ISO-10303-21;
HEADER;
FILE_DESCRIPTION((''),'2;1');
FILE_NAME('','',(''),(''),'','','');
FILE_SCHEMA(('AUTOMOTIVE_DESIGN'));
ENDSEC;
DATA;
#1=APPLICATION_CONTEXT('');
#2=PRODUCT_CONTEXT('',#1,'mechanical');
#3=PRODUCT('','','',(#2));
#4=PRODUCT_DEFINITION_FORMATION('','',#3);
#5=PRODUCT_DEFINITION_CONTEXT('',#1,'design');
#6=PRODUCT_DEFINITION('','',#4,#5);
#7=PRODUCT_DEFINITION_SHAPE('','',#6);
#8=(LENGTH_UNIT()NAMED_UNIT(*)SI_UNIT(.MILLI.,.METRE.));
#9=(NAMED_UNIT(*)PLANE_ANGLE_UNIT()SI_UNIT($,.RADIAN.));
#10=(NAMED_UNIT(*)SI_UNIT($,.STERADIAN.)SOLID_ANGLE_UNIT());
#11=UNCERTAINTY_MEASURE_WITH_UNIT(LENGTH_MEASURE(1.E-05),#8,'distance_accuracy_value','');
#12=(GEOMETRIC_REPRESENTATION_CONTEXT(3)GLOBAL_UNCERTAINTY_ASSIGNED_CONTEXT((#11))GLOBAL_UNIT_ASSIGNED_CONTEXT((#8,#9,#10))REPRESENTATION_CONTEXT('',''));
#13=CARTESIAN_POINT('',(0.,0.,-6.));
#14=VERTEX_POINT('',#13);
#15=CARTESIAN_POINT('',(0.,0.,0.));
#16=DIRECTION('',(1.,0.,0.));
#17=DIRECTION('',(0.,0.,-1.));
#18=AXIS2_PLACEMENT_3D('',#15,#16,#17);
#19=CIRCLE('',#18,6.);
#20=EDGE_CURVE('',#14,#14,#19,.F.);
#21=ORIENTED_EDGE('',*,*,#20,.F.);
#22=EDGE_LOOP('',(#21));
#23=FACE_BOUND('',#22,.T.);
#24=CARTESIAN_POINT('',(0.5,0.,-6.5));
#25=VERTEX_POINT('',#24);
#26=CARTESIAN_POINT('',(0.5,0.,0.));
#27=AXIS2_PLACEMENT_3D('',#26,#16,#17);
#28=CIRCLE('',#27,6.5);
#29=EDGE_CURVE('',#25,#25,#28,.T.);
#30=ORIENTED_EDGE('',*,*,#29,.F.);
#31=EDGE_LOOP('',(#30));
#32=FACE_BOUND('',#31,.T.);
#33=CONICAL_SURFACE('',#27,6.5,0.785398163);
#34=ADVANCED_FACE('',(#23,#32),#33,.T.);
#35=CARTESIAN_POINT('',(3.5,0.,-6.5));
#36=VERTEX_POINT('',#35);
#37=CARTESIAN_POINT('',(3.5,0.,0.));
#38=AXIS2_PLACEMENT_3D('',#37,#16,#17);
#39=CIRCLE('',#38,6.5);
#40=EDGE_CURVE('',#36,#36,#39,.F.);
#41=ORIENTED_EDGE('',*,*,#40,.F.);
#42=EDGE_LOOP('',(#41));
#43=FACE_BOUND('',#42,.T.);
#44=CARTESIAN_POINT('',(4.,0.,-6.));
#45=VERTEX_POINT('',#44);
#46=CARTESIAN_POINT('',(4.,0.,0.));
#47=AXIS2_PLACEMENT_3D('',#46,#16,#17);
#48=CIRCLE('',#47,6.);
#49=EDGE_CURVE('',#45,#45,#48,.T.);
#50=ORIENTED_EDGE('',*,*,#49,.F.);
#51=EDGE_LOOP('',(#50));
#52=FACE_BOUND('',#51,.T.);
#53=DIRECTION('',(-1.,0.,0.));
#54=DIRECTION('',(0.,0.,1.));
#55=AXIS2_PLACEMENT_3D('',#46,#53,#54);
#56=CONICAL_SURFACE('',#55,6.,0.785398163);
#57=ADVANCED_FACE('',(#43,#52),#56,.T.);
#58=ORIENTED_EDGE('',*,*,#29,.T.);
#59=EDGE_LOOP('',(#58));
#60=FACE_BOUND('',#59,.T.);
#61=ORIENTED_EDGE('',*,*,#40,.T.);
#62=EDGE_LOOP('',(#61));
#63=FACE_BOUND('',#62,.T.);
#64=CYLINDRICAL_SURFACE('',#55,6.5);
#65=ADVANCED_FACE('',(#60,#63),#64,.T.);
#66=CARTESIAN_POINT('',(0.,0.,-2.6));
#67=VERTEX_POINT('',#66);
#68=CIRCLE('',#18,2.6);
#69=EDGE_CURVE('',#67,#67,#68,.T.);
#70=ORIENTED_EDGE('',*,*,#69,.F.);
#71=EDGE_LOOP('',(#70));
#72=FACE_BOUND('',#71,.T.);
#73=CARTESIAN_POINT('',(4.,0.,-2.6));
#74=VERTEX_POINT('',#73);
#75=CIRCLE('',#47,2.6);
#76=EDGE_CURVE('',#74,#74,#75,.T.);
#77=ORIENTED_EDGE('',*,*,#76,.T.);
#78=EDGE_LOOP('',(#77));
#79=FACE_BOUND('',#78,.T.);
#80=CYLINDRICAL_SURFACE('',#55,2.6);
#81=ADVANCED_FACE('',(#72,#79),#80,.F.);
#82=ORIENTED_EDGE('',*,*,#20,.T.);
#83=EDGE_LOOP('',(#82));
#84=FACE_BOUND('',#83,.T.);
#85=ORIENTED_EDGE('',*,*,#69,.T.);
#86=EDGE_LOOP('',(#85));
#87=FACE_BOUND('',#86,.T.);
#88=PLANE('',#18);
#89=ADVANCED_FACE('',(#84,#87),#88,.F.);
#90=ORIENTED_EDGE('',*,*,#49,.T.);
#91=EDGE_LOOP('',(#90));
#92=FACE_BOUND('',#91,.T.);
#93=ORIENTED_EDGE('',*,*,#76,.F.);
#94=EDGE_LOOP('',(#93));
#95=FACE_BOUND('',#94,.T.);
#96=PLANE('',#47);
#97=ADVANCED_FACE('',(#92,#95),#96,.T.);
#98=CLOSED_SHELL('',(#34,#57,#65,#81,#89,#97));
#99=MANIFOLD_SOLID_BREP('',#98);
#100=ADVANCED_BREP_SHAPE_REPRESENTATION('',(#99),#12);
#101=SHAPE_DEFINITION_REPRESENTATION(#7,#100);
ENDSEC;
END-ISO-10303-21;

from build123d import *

# Parameters (mm, degrees)
SKETCH_1_R      = 6.5
SKETCH_1_R_2    = 2.6
EXTRUDE_1_DEPTH = 4
CHAMFER_1_SIZE  = 0.5


with BuildPart() as part:
    # 草图1 → 凸台-拉伸1 (new body)
    with BuildSketch(Plane.YZ):
        with Locations(Location((0, 0, 0), (0, 0, 270))):
            Circle(SKETCH_1_R)
        with Locations(Location((0, 0, 0), (0, 0, 270))):
            Circle(SKETCH_1_R_2, mode=Mode.SUBTRACT)
    extrude(amount=EXTRUDE_1_DEPTH)

    # 倒角1
    chamfer_1_edges = [part.edges().sort_by_distance(p)[0] for p in [
        (0, 0, 6.5),
        (4, 0, 6.5),
    ]]
    chamfer(chamfer_1_edges, length=CHAMFER_1_SIZE)


solid = part.part
